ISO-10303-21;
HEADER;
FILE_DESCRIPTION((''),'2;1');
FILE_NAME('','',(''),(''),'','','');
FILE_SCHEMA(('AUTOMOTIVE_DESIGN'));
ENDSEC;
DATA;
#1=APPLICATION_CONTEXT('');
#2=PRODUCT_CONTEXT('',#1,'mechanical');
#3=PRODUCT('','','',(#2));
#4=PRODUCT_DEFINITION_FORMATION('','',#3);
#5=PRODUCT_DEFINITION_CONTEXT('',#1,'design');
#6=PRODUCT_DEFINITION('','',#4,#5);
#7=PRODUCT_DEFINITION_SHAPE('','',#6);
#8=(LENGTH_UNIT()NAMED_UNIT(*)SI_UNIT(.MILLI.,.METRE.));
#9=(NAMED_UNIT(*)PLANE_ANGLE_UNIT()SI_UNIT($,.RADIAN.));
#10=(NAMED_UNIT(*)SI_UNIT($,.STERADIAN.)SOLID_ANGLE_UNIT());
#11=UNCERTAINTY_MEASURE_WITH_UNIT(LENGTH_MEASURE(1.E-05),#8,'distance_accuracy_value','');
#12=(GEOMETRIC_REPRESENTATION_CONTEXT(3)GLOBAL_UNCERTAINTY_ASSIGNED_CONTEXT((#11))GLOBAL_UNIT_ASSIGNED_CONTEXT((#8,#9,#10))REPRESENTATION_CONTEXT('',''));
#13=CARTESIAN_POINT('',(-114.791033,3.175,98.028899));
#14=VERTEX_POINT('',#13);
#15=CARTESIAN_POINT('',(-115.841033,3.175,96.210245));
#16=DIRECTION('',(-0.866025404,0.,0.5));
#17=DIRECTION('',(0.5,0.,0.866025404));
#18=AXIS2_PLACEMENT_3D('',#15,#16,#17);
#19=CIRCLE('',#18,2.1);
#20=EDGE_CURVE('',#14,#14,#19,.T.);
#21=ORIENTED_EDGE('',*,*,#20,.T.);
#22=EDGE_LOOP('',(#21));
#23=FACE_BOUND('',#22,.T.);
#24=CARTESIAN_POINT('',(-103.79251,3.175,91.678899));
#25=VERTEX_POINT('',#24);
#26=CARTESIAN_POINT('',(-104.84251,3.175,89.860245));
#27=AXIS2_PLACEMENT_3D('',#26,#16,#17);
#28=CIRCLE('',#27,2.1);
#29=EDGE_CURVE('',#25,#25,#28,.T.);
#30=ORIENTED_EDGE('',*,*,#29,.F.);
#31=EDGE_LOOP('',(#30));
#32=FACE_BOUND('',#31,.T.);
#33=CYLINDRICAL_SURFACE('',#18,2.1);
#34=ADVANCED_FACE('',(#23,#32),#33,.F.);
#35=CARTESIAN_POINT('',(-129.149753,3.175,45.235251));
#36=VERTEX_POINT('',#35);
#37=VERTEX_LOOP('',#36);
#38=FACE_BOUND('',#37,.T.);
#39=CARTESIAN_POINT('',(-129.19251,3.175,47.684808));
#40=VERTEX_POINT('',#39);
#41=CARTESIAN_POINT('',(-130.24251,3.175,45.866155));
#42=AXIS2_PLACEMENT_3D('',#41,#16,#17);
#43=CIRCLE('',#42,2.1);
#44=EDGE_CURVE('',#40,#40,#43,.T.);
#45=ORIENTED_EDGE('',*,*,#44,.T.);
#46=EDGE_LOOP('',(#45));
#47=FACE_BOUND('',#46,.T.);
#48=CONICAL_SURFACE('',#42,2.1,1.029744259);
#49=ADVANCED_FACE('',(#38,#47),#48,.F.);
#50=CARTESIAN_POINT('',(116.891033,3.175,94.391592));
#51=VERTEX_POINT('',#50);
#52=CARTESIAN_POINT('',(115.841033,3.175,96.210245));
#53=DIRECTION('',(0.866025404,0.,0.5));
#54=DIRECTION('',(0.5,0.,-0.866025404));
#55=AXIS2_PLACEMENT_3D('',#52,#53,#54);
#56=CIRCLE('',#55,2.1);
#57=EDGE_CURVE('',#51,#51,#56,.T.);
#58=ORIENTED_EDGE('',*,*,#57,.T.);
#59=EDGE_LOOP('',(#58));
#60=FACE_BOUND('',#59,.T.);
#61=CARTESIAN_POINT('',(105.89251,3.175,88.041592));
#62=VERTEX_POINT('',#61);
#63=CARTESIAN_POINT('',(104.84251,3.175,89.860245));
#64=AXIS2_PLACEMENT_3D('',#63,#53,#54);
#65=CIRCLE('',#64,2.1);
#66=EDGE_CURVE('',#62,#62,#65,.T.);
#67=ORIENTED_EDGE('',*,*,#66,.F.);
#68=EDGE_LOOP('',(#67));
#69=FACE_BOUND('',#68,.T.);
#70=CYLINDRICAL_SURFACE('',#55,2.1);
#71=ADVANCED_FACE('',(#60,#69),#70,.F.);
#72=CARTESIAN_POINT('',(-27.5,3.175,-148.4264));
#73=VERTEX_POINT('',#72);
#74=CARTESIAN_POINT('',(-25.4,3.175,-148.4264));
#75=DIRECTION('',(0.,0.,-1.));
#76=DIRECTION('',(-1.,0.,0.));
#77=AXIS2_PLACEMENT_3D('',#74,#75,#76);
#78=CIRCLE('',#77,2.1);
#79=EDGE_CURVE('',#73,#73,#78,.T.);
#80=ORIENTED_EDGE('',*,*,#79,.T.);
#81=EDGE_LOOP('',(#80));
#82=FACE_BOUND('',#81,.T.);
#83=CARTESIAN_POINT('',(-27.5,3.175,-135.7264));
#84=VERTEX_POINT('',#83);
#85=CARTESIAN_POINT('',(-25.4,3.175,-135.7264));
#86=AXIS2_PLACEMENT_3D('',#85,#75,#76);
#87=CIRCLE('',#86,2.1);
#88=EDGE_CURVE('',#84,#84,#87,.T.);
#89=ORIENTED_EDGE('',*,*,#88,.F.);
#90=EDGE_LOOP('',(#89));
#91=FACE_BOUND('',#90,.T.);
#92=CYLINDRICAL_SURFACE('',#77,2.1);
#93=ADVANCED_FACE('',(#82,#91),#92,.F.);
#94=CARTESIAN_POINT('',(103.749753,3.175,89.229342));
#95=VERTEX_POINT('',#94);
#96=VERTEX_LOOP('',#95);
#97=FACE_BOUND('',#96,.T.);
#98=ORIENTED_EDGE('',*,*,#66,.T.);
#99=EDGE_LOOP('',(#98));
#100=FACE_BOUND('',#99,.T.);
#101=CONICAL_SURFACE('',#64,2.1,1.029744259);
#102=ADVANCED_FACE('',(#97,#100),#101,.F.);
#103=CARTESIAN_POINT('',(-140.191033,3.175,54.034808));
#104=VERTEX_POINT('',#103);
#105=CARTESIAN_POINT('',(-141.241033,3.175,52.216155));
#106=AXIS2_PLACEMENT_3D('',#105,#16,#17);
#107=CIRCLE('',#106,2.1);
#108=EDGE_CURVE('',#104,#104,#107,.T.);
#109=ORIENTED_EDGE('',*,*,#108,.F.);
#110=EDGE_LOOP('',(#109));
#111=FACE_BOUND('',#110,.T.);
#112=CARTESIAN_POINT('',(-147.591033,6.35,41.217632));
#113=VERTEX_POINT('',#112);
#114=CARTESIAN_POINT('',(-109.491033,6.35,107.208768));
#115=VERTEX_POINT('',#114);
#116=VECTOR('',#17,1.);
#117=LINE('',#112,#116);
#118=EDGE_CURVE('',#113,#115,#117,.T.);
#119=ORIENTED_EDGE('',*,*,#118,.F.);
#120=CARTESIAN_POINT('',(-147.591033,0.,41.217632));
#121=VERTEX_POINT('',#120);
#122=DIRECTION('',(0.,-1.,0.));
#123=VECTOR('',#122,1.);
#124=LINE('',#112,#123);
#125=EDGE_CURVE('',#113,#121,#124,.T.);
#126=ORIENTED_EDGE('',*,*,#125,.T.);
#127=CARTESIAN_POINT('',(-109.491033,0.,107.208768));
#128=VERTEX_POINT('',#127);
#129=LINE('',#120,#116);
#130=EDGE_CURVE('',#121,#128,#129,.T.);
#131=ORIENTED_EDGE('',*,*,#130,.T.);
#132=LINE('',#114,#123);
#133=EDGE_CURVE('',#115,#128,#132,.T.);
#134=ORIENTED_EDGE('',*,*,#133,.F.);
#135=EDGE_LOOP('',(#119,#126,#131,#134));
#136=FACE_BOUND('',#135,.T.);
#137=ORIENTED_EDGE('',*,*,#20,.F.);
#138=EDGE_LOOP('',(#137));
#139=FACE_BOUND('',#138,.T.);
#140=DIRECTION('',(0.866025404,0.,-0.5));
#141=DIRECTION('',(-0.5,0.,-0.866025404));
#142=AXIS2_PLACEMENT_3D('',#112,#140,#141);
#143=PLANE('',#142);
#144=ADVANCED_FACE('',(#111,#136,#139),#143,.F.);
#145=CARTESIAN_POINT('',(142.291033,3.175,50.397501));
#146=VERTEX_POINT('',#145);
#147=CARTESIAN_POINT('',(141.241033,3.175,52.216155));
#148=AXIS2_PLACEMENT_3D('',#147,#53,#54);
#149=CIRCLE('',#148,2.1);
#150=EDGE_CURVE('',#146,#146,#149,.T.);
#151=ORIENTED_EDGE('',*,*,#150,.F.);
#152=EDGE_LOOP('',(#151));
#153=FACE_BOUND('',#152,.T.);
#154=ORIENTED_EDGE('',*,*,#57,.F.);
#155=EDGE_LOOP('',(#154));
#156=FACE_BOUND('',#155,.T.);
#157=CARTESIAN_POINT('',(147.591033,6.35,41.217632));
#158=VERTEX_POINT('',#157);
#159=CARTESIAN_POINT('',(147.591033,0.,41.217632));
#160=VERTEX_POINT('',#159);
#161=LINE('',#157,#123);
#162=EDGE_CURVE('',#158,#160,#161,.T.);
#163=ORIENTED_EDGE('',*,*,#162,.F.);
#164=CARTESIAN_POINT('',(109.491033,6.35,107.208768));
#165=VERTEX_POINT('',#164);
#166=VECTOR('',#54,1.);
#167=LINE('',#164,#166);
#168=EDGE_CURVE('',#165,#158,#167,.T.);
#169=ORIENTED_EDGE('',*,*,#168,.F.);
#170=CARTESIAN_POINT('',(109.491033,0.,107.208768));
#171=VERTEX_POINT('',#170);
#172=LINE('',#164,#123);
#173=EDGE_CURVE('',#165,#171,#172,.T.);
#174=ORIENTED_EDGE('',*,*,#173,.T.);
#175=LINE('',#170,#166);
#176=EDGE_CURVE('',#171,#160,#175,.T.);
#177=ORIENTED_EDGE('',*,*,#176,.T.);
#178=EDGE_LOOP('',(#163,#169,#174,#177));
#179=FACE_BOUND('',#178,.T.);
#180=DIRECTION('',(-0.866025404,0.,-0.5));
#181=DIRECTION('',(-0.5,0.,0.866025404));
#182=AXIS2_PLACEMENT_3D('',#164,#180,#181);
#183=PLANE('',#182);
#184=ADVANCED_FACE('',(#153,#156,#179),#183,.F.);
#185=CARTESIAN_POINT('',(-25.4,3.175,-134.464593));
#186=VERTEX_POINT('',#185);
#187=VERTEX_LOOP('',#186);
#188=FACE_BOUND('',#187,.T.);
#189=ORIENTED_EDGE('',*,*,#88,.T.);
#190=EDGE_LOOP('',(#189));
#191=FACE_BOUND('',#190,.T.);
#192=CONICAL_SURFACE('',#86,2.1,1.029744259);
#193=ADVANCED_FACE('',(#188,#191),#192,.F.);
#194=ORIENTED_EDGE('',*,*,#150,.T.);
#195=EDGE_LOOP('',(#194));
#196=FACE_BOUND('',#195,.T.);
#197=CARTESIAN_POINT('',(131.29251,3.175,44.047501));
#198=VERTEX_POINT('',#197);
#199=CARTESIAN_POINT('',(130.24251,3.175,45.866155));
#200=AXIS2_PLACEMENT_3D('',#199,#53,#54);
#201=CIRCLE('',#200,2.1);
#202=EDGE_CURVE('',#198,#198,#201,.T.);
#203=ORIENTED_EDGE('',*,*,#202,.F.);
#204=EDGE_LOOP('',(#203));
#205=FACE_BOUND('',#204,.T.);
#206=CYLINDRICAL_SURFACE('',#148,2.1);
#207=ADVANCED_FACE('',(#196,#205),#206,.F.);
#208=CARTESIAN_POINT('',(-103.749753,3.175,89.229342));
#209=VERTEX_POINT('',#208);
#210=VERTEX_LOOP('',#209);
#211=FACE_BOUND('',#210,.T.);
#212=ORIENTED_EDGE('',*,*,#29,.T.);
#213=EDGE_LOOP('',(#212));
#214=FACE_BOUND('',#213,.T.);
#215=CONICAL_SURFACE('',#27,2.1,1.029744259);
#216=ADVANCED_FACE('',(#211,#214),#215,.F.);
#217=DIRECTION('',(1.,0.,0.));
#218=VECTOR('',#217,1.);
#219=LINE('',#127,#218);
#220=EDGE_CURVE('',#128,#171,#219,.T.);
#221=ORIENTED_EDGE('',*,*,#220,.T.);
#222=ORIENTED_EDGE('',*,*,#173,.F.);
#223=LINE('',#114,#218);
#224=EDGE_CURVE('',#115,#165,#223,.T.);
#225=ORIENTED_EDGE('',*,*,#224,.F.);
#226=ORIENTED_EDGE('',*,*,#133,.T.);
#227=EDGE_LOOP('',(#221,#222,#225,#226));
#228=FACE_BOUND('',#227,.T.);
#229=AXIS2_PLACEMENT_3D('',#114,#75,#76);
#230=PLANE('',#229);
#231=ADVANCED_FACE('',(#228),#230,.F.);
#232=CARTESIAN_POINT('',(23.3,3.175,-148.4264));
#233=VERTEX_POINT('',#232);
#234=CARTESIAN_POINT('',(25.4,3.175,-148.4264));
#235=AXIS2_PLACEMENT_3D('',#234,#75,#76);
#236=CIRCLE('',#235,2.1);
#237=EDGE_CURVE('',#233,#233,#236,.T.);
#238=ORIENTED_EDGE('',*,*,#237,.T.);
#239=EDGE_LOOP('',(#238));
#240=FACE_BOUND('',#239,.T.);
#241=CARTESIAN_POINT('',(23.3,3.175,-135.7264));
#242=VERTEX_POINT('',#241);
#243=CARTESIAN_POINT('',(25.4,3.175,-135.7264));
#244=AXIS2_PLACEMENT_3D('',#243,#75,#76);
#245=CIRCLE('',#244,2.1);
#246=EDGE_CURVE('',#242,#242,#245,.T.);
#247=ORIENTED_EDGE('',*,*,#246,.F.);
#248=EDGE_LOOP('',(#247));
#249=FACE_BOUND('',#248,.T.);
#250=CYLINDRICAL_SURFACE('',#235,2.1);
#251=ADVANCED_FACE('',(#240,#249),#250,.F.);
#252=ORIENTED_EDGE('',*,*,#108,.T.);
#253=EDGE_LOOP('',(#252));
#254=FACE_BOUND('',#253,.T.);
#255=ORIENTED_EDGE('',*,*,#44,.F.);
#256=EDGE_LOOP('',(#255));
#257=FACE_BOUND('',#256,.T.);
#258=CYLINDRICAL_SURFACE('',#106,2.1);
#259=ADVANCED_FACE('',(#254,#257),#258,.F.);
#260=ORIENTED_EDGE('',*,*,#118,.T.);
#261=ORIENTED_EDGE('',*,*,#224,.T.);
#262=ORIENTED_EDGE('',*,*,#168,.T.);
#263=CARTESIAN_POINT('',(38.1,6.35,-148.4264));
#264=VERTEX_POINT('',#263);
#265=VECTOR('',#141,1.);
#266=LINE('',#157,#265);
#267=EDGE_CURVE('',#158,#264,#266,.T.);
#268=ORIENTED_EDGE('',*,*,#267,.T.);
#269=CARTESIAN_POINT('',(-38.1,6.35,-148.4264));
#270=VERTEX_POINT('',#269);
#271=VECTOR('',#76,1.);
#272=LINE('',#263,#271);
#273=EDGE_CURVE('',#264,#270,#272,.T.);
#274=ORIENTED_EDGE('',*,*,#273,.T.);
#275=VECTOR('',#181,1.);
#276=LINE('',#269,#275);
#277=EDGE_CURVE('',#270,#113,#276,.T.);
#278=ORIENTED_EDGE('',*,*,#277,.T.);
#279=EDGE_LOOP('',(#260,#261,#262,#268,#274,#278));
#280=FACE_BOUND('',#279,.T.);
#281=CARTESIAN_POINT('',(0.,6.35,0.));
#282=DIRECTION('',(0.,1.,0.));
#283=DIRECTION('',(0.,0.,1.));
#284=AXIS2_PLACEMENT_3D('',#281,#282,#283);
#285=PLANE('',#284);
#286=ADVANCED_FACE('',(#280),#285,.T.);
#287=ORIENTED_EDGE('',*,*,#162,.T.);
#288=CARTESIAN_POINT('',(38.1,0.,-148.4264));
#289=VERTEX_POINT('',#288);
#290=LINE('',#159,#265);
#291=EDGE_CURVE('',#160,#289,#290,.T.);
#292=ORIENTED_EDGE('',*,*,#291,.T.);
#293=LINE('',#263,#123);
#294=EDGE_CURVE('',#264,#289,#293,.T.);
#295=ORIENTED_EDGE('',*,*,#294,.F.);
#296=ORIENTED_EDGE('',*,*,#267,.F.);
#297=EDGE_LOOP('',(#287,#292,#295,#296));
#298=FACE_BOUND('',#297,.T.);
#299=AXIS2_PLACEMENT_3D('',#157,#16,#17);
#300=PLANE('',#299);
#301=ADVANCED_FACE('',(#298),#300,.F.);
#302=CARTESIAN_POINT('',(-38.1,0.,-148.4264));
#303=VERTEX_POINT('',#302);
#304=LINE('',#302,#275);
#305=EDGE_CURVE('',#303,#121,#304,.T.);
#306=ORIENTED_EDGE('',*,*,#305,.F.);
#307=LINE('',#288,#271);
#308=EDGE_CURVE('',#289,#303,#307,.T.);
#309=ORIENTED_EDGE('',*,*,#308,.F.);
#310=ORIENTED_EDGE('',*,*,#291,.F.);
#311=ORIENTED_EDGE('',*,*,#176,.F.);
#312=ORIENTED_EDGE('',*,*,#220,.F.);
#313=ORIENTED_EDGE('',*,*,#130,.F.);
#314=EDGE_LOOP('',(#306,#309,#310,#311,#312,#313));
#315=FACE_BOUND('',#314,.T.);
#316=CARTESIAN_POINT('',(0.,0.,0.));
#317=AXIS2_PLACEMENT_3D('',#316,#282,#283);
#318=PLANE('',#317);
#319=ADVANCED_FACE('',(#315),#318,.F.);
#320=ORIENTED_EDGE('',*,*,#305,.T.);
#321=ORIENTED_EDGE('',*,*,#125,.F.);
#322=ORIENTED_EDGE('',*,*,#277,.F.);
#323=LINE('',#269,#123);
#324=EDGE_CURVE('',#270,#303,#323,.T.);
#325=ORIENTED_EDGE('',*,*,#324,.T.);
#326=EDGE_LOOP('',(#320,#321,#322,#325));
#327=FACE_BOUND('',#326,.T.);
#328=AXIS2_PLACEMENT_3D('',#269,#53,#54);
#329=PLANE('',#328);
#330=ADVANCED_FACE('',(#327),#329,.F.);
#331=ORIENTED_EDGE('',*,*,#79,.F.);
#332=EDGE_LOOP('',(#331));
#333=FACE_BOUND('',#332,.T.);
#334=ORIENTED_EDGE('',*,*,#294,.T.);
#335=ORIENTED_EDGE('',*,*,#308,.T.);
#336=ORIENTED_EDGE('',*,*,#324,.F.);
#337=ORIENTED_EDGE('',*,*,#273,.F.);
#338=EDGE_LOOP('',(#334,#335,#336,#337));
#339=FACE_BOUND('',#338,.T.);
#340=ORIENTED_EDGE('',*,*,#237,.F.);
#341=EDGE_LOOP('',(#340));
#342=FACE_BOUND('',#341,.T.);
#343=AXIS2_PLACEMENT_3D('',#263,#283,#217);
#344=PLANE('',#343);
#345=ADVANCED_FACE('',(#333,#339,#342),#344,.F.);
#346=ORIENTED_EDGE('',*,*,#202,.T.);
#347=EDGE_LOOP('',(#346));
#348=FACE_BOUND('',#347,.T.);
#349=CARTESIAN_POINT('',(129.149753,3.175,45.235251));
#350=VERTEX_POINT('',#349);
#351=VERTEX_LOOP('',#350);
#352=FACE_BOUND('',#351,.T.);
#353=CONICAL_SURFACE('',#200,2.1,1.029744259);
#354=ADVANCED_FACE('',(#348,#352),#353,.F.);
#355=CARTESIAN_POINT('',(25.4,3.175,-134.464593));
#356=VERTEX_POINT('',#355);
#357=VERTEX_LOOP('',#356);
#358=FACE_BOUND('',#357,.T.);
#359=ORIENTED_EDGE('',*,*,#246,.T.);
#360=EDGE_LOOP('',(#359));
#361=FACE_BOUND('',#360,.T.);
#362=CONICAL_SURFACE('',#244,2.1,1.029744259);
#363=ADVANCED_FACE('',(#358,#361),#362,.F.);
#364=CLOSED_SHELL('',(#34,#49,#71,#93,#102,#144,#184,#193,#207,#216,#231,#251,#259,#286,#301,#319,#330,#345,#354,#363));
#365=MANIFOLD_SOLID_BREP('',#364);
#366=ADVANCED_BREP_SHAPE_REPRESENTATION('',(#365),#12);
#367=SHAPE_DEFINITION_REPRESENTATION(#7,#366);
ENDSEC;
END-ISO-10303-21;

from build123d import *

# Parameters (mm, degrees)
BOSS_EXTRUDE1_DEPTH            = 6.35
M5X0_8_TAPPED_HOLE1_AT_2_COUNT = 2
M5X0_8_TAPPED_HOLE1_AT_2_PITCH = 50.8
CIRPATTERN1_COUNT              = 3


with BuildPart() as part:
    # Sketch1 → Boss-Extrude1 (new body)
    with BuildSketch(Plane(origin=(0, 0, 0), x_dir=(1, 0, 0), z_dir=(0, 1, 0))):
        Polygon((-147.591032992, -41.217632116), (-109.491032992, -107.208767884), (109.491032992, -107.208767884), (147.591032992, -41.217632116), (38.1, 148.4264), (-38.1, 148.4264), align=None)
    extrude(amount=BOSS_EXTRUDE1_DEPTH)

    # Sketch3 → M5x0.8 Tapped Hole1 (revolve, cut)
    with BuildSketch(Plane(origin=(115.841032992, 3.175, 96.210245256), x_dir=(0.5, 0, -0.866025404), z_dir=(0, 1, 0))):
        Polygon((0, 0), (0, 13.9618073), (2.1, 12.7), (2.1, 0), align=None)
    m5x0_8_tapped_hole1 = revolve(axis=Axis((121.340294306, 3.175, 99.385245256), (-0.866025404, 0, -0.5)), mode=Mode.SUBTRACT)

    # M5x0.8 Tapped Hole1 at 2: M5x0.8 Tapped Hole1 ×2
    with Locations(*[Vector(0.5, 0, -0.866025404) * (i * M5X0_8_TAPPED_HOLE1_AT_2_PITCH) for i in range(1, M5X0_8_TAPPED_HOLE1_AT_2_COUNT)]):
        add(m5x0_8_tapped_hole1, mode=Mode.SUBTRACT)

    # CirPattern1: M5x0.8 Tapped Hole1 ×3 about axis
    cirpattern1_axis = Axis((0, 6.6675, 0), (0, -1, 0))
    for i in range(1, CIRPATTERN1_COUNT):
        add(m5x0_8_tapped_hole1.rotate(cirpattern1_axis, i * 360 / CIRPATTERN1_COUNT), mode=Mode.SUBTRACT)

    # CirPattern1 copy 1 sketch → CirPattern1 copy 1 (revolve, cut)
    with BuildSketch(Plane(origin=(-115.841032992, 3.175, 96.210245256), x_dir=(0.5, 0, 0.866025404), z_dir=(0, 1, 0))):
        Polygon((0, 0), (0, 13.9618073), (2.1, 12.7), (2.1, 0), align=None)
    revolve(axis=Axis((-121.340294306, 3.175, 99.385245256), (0.866025404, 0, -0.5)), mode=Mode.SUBTRACT)

    # CirPattern1 copy 2 sketch → CirPattern1 copy 2 (revolve, cut)
    with BuildSketch(Plane(origin=(-25.4, 3.175, -148.4264), x_dir=(-1, 0, 0), z_dir=(0, 1, 0))):
        Polygon((0, 0), (0, 13.9618073), (2.1, 12.7), (2.1, 0), align=None)
    revolve(axis=Axis((-25.4, 3.175, -154.7764), (0, 0, 1)), mode=Mode.SUBTRACT)


solid = part.part
